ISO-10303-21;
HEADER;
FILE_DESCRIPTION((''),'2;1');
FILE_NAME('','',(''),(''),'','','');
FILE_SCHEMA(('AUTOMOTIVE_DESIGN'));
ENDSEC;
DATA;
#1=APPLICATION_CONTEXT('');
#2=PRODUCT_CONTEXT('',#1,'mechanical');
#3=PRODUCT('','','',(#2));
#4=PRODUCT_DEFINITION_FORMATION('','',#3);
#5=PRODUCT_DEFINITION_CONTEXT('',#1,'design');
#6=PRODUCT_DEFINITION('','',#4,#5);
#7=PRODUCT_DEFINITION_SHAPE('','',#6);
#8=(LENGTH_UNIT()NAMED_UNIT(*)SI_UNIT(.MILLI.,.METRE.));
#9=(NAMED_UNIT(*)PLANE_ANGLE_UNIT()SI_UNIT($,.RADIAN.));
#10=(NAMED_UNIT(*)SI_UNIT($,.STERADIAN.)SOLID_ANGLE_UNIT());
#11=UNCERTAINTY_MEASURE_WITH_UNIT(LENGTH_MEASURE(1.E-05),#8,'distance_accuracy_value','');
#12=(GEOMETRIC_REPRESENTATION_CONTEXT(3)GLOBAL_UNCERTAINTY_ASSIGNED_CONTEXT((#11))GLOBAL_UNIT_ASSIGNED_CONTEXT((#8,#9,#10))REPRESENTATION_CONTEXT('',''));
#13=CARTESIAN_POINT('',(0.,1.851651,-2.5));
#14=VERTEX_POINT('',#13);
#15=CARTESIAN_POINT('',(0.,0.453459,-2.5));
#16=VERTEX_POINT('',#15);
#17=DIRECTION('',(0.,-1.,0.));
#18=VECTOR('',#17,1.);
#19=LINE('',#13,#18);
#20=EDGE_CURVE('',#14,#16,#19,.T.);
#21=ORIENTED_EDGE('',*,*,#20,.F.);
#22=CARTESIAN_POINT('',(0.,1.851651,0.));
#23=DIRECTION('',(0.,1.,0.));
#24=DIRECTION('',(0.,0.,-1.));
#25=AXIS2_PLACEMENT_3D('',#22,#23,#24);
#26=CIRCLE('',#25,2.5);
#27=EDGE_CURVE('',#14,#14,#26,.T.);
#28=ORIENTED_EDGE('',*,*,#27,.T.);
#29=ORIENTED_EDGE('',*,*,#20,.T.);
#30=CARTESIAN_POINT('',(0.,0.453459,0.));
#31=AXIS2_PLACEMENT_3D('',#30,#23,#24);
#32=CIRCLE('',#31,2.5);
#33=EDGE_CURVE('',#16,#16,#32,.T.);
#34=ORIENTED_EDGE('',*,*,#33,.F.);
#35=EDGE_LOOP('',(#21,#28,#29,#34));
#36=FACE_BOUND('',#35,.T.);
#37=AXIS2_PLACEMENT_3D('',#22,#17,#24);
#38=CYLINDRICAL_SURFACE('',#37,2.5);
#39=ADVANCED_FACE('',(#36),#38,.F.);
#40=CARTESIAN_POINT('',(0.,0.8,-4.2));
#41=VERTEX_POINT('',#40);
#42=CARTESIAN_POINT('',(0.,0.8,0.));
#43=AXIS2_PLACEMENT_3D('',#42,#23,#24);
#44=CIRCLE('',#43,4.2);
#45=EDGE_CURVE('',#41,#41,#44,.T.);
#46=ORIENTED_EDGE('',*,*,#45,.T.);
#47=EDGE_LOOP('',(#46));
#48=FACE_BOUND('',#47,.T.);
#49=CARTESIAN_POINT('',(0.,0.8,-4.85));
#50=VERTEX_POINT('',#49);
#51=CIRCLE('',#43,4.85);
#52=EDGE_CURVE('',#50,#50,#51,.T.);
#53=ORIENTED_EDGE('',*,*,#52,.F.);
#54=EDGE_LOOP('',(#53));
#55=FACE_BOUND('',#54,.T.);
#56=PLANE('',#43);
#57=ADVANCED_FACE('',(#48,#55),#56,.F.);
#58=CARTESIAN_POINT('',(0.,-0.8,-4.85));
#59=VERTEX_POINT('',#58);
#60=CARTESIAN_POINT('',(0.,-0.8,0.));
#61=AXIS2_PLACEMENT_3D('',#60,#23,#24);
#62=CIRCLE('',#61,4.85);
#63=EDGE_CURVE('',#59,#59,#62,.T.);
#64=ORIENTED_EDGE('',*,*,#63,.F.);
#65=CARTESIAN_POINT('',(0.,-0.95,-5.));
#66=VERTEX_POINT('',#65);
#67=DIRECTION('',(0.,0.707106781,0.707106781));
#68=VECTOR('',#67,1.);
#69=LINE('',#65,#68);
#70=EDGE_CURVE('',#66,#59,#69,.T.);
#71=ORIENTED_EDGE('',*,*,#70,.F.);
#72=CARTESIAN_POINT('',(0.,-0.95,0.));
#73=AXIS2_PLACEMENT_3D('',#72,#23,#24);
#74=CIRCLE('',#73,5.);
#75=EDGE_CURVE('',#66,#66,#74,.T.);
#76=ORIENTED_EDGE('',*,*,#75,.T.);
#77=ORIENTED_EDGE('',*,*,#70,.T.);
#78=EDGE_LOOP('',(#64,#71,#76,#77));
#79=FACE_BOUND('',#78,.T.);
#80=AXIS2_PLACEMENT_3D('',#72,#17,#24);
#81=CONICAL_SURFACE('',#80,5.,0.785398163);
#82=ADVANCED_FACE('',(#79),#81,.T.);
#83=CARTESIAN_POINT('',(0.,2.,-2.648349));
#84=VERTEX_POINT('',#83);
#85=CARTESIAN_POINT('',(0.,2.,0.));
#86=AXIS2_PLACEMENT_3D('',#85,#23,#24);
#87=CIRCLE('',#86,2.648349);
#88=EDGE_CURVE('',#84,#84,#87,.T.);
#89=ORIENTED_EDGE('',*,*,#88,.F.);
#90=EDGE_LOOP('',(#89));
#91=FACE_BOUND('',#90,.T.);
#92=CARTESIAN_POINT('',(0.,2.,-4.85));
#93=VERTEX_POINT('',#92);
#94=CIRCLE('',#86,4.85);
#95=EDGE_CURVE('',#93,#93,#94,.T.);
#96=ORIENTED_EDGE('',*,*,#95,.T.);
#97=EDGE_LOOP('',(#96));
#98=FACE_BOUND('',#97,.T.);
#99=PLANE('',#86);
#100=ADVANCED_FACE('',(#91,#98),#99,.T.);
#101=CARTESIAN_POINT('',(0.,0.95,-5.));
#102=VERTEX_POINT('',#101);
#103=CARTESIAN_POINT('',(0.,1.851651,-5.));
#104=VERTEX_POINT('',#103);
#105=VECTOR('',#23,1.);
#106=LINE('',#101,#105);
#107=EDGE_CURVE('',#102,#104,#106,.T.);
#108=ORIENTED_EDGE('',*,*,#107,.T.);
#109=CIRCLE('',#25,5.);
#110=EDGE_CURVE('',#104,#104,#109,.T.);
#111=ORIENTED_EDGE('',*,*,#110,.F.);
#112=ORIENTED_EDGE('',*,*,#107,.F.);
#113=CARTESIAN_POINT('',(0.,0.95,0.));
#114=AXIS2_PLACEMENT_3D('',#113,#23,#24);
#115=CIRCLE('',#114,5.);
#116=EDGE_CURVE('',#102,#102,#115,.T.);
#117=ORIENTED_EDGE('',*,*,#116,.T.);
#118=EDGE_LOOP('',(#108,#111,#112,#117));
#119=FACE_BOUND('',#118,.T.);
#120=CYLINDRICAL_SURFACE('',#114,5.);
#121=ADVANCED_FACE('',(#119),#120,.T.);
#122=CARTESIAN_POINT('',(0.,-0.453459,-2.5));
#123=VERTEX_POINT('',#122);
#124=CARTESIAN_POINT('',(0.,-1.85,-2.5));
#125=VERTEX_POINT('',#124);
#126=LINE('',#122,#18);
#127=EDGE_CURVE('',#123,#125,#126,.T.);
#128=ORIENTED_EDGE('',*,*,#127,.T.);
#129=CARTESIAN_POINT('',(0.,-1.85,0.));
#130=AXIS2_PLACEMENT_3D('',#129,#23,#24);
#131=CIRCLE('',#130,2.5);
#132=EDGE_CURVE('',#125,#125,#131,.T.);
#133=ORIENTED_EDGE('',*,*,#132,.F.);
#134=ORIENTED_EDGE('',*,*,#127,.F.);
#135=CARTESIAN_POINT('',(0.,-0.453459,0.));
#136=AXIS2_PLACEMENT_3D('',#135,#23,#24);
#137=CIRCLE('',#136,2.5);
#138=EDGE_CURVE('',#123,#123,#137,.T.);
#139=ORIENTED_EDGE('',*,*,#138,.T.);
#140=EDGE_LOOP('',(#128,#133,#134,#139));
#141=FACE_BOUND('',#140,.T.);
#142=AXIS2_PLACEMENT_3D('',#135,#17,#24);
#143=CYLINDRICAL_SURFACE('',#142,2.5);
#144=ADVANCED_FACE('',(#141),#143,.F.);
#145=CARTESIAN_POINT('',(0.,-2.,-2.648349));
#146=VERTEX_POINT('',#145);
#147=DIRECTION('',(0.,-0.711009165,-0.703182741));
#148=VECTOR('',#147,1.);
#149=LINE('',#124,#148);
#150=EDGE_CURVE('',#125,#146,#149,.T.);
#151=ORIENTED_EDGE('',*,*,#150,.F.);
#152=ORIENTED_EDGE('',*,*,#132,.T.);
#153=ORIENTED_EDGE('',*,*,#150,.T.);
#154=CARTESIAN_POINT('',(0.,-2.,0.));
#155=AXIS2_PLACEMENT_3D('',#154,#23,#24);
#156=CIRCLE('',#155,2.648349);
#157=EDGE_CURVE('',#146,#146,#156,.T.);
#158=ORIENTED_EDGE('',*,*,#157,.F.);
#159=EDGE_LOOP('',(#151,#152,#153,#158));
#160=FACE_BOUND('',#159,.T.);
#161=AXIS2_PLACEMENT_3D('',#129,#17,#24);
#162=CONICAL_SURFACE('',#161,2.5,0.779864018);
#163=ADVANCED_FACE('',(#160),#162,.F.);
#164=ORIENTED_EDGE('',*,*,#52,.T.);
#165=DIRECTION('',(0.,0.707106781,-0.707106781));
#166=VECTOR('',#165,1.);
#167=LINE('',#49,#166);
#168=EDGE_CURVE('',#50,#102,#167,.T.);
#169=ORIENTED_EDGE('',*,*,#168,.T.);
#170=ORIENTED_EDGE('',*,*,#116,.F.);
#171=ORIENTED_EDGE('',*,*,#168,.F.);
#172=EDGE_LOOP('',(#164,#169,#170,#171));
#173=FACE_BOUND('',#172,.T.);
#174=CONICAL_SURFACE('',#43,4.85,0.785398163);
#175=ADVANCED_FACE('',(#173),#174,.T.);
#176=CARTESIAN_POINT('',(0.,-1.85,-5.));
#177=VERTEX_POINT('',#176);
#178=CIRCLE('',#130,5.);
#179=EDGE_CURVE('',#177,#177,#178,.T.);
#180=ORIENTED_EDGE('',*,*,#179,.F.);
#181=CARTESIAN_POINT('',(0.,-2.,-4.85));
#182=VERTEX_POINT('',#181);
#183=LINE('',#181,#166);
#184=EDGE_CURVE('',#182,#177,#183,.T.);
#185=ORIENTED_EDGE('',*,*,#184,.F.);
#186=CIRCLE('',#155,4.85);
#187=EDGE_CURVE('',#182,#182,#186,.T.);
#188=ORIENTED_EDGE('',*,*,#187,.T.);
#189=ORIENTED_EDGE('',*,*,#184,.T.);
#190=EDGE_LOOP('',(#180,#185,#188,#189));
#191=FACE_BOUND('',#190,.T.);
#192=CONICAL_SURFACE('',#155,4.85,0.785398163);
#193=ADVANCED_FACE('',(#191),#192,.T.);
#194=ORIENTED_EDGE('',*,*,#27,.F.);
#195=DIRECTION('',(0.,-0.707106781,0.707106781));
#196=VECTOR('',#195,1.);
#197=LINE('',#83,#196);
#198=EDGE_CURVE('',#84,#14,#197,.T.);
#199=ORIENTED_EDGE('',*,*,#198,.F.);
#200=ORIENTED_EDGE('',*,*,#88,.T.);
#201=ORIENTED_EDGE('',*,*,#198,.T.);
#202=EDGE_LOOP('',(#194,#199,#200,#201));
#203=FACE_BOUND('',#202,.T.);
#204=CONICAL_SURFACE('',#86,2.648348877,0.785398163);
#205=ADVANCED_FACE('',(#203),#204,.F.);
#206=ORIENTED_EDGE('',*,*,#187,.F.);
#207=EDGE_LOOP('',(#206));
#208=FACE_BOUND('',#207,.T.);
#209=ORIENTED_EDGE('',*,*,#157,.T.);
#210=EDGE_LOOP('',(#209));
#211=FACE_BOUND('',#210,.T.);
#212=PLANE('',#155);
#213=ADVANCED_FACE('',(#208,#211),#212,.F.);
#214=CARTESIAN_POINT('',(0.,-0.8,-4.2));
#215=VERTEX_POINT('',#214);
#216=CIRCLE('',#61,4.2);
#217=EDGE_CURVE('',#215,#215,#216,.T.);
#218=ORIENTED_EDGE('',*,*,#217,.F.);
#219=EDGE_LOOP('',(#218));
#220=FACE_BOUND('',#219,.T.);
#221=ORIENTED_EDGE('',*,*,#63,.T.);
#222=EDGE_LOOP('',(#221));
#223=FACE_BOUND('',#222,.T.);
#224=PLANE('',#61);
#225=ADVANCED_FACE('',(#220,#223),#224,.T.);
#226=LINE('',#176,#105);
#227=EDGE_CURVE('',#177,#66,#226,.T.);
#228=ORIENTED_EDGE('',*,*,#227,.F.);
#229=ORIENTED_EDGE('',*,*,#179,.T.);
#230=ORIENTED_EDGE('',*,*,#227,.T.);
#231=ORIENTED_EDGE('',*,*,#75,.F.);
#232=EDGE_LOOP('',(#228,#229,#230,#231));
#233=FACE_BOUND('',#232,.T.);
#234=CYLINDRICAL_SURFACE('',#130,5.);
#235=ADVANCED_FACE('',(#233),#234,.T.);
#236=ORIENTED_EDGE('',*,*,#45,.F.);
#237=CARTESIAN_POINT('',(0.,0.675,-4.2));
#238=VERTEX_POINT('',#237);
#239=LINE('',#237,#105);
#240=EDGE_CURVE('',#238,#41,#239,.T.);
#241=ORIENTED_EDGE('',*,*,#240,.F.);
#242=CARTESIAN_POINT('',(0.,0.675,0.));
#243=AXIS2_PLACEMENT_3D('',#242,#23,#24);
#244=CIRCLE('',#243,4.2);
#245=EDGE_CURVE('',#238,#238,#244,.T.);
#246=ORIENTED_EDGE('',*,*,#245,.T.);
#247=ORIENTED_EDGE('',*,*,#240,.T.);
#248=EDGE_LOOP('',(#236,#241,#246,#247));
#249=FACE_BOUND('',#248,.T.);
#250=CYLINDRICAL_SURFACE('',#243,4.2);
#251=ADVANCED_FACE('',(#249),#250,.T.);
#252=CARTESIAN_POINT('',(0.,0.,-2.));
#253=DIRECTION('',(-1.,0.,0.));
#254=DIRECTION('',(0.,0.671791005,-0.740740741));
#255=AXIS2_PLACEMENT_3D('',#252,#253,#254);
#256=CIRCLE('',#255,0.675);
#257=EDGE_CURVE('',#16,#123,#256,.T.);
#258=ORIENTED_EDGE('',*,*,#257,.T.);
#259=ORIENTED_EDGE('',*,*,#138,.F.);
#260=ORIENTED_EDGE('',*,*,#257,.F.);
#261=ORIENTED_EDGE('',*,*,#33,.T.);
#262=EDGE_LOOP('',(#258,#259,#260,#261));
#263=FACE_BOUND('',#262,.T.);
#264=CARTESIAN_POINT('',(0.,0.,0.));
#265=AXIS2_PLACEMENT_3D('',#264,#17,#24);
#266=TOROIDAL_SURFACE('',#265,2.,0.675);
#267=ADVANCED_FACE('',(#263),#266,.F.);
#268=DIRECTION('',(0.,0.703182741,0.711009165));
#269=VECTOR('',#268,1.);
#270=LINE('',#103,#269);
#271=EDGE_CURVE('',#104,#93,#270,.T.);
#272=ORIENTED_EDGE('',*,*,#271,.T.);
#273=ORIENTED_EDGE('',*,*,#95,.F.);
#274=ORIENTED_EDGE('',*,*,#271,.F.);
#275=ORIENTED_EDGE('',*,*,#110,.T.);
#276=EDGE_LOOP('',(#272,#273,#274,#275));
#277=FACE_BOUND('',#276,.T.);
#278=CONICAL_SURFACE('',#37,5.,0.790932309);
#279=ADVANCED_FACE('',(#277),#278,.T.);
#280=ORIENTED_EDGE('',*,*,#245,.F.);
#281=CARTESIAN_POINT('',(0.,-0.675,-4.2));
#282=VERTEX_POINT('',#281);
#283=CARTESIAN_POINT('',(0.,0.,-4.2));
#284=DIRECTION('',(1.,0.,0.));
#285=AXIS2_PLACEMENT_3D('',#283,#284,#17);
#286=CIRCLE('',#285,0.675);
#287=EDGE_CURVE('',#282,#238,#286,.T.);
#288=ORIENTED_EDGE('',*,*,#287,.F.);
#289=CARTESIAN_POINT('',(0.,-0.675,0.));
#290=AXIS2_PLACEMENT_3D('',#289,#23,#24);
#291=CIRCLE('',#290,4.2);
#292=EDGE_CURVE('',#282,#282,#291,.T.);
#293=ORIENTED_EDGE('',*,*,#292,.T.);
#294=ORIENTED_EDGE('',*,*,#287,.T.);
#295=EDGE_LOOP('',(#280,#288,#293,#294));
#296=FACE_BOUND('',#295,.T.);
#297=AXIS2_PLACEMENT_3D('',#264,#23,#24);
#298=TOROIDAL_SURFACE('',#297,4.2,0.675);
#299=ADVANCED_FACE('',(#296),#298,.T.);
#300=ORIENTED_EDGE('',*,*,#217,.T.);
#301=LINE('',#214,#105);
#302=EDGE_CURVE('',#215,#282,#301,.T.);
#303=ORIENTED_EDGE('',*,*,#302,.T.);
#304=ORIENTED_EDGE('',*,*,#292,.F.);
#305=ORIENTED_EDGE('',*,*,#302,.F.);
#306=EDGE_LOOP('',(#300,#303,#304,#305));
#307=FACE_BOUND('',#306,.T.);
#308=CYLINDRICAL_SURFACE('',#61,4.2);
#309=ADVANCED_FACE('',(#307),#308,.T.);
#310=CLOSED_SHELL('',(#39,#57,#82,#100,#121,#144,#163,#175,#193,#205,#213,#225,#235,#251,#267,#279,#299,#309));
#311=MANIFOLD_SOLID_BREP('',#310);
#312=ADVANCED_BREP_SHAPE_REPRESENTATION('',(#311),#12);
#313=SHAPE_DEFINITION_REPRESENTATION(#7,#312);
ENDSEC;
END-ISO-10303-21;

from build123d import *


with BuildPart() as part:
    # Sketch1 → Revolve1 (revolve)
    with BuildSketch(Plane.XY, mode=Mode.PRIVATE) as revolve1_sk:
        with BuildLine():
            Line((5, 0.95), (5, 1.851651123))
            Line((5, 1.851651123), (4.85, 2))
            Line((4.85, 2), (2.648348877, 2))
            Line((2.648348877, 2), (2.5, 1.851651123))
            Line((2.5, 1.851651123), (2.5, 0.453458929))
            ThreePointArc((2.5, 0.453458929), (2.675, 0), (2.5, -0.453458929))
            Line((2.5, -0.453458929), (2.5, -1.85))
            Line((2.5, -1.85), (2.648348877, -2))
            Line((2.648348877, -2), (4.85, -2))
            Line((4.85, -2), (5, -1.85))
            Line((5, -1.85), (5, -0.95))
            Line((5, -0.95), (4.85, -0.8))
            Line((4.85, -0.8), (4.2, -0.8))
            Line((4.2, -0.8), (4.2, -0.675))
            ThreePointArc((4.2, -0.675), (4.875, 0), (4.2, 0.675))
            Line((4.2, 0.675), (4.2, 0.8))
            Line((4.2, 0.8), (4.85, 0.8))
            Line((4.85, 0.8), (5, 0.95))
        make_face()
    revolve(revolve1_sk.sketch.rotate(Axis((0, -7.575237451, 0), (0, 1, 0)), 90), axis=Axis((0, -7.575237451, 0), (0, 1, 0)))


solid = part.part
